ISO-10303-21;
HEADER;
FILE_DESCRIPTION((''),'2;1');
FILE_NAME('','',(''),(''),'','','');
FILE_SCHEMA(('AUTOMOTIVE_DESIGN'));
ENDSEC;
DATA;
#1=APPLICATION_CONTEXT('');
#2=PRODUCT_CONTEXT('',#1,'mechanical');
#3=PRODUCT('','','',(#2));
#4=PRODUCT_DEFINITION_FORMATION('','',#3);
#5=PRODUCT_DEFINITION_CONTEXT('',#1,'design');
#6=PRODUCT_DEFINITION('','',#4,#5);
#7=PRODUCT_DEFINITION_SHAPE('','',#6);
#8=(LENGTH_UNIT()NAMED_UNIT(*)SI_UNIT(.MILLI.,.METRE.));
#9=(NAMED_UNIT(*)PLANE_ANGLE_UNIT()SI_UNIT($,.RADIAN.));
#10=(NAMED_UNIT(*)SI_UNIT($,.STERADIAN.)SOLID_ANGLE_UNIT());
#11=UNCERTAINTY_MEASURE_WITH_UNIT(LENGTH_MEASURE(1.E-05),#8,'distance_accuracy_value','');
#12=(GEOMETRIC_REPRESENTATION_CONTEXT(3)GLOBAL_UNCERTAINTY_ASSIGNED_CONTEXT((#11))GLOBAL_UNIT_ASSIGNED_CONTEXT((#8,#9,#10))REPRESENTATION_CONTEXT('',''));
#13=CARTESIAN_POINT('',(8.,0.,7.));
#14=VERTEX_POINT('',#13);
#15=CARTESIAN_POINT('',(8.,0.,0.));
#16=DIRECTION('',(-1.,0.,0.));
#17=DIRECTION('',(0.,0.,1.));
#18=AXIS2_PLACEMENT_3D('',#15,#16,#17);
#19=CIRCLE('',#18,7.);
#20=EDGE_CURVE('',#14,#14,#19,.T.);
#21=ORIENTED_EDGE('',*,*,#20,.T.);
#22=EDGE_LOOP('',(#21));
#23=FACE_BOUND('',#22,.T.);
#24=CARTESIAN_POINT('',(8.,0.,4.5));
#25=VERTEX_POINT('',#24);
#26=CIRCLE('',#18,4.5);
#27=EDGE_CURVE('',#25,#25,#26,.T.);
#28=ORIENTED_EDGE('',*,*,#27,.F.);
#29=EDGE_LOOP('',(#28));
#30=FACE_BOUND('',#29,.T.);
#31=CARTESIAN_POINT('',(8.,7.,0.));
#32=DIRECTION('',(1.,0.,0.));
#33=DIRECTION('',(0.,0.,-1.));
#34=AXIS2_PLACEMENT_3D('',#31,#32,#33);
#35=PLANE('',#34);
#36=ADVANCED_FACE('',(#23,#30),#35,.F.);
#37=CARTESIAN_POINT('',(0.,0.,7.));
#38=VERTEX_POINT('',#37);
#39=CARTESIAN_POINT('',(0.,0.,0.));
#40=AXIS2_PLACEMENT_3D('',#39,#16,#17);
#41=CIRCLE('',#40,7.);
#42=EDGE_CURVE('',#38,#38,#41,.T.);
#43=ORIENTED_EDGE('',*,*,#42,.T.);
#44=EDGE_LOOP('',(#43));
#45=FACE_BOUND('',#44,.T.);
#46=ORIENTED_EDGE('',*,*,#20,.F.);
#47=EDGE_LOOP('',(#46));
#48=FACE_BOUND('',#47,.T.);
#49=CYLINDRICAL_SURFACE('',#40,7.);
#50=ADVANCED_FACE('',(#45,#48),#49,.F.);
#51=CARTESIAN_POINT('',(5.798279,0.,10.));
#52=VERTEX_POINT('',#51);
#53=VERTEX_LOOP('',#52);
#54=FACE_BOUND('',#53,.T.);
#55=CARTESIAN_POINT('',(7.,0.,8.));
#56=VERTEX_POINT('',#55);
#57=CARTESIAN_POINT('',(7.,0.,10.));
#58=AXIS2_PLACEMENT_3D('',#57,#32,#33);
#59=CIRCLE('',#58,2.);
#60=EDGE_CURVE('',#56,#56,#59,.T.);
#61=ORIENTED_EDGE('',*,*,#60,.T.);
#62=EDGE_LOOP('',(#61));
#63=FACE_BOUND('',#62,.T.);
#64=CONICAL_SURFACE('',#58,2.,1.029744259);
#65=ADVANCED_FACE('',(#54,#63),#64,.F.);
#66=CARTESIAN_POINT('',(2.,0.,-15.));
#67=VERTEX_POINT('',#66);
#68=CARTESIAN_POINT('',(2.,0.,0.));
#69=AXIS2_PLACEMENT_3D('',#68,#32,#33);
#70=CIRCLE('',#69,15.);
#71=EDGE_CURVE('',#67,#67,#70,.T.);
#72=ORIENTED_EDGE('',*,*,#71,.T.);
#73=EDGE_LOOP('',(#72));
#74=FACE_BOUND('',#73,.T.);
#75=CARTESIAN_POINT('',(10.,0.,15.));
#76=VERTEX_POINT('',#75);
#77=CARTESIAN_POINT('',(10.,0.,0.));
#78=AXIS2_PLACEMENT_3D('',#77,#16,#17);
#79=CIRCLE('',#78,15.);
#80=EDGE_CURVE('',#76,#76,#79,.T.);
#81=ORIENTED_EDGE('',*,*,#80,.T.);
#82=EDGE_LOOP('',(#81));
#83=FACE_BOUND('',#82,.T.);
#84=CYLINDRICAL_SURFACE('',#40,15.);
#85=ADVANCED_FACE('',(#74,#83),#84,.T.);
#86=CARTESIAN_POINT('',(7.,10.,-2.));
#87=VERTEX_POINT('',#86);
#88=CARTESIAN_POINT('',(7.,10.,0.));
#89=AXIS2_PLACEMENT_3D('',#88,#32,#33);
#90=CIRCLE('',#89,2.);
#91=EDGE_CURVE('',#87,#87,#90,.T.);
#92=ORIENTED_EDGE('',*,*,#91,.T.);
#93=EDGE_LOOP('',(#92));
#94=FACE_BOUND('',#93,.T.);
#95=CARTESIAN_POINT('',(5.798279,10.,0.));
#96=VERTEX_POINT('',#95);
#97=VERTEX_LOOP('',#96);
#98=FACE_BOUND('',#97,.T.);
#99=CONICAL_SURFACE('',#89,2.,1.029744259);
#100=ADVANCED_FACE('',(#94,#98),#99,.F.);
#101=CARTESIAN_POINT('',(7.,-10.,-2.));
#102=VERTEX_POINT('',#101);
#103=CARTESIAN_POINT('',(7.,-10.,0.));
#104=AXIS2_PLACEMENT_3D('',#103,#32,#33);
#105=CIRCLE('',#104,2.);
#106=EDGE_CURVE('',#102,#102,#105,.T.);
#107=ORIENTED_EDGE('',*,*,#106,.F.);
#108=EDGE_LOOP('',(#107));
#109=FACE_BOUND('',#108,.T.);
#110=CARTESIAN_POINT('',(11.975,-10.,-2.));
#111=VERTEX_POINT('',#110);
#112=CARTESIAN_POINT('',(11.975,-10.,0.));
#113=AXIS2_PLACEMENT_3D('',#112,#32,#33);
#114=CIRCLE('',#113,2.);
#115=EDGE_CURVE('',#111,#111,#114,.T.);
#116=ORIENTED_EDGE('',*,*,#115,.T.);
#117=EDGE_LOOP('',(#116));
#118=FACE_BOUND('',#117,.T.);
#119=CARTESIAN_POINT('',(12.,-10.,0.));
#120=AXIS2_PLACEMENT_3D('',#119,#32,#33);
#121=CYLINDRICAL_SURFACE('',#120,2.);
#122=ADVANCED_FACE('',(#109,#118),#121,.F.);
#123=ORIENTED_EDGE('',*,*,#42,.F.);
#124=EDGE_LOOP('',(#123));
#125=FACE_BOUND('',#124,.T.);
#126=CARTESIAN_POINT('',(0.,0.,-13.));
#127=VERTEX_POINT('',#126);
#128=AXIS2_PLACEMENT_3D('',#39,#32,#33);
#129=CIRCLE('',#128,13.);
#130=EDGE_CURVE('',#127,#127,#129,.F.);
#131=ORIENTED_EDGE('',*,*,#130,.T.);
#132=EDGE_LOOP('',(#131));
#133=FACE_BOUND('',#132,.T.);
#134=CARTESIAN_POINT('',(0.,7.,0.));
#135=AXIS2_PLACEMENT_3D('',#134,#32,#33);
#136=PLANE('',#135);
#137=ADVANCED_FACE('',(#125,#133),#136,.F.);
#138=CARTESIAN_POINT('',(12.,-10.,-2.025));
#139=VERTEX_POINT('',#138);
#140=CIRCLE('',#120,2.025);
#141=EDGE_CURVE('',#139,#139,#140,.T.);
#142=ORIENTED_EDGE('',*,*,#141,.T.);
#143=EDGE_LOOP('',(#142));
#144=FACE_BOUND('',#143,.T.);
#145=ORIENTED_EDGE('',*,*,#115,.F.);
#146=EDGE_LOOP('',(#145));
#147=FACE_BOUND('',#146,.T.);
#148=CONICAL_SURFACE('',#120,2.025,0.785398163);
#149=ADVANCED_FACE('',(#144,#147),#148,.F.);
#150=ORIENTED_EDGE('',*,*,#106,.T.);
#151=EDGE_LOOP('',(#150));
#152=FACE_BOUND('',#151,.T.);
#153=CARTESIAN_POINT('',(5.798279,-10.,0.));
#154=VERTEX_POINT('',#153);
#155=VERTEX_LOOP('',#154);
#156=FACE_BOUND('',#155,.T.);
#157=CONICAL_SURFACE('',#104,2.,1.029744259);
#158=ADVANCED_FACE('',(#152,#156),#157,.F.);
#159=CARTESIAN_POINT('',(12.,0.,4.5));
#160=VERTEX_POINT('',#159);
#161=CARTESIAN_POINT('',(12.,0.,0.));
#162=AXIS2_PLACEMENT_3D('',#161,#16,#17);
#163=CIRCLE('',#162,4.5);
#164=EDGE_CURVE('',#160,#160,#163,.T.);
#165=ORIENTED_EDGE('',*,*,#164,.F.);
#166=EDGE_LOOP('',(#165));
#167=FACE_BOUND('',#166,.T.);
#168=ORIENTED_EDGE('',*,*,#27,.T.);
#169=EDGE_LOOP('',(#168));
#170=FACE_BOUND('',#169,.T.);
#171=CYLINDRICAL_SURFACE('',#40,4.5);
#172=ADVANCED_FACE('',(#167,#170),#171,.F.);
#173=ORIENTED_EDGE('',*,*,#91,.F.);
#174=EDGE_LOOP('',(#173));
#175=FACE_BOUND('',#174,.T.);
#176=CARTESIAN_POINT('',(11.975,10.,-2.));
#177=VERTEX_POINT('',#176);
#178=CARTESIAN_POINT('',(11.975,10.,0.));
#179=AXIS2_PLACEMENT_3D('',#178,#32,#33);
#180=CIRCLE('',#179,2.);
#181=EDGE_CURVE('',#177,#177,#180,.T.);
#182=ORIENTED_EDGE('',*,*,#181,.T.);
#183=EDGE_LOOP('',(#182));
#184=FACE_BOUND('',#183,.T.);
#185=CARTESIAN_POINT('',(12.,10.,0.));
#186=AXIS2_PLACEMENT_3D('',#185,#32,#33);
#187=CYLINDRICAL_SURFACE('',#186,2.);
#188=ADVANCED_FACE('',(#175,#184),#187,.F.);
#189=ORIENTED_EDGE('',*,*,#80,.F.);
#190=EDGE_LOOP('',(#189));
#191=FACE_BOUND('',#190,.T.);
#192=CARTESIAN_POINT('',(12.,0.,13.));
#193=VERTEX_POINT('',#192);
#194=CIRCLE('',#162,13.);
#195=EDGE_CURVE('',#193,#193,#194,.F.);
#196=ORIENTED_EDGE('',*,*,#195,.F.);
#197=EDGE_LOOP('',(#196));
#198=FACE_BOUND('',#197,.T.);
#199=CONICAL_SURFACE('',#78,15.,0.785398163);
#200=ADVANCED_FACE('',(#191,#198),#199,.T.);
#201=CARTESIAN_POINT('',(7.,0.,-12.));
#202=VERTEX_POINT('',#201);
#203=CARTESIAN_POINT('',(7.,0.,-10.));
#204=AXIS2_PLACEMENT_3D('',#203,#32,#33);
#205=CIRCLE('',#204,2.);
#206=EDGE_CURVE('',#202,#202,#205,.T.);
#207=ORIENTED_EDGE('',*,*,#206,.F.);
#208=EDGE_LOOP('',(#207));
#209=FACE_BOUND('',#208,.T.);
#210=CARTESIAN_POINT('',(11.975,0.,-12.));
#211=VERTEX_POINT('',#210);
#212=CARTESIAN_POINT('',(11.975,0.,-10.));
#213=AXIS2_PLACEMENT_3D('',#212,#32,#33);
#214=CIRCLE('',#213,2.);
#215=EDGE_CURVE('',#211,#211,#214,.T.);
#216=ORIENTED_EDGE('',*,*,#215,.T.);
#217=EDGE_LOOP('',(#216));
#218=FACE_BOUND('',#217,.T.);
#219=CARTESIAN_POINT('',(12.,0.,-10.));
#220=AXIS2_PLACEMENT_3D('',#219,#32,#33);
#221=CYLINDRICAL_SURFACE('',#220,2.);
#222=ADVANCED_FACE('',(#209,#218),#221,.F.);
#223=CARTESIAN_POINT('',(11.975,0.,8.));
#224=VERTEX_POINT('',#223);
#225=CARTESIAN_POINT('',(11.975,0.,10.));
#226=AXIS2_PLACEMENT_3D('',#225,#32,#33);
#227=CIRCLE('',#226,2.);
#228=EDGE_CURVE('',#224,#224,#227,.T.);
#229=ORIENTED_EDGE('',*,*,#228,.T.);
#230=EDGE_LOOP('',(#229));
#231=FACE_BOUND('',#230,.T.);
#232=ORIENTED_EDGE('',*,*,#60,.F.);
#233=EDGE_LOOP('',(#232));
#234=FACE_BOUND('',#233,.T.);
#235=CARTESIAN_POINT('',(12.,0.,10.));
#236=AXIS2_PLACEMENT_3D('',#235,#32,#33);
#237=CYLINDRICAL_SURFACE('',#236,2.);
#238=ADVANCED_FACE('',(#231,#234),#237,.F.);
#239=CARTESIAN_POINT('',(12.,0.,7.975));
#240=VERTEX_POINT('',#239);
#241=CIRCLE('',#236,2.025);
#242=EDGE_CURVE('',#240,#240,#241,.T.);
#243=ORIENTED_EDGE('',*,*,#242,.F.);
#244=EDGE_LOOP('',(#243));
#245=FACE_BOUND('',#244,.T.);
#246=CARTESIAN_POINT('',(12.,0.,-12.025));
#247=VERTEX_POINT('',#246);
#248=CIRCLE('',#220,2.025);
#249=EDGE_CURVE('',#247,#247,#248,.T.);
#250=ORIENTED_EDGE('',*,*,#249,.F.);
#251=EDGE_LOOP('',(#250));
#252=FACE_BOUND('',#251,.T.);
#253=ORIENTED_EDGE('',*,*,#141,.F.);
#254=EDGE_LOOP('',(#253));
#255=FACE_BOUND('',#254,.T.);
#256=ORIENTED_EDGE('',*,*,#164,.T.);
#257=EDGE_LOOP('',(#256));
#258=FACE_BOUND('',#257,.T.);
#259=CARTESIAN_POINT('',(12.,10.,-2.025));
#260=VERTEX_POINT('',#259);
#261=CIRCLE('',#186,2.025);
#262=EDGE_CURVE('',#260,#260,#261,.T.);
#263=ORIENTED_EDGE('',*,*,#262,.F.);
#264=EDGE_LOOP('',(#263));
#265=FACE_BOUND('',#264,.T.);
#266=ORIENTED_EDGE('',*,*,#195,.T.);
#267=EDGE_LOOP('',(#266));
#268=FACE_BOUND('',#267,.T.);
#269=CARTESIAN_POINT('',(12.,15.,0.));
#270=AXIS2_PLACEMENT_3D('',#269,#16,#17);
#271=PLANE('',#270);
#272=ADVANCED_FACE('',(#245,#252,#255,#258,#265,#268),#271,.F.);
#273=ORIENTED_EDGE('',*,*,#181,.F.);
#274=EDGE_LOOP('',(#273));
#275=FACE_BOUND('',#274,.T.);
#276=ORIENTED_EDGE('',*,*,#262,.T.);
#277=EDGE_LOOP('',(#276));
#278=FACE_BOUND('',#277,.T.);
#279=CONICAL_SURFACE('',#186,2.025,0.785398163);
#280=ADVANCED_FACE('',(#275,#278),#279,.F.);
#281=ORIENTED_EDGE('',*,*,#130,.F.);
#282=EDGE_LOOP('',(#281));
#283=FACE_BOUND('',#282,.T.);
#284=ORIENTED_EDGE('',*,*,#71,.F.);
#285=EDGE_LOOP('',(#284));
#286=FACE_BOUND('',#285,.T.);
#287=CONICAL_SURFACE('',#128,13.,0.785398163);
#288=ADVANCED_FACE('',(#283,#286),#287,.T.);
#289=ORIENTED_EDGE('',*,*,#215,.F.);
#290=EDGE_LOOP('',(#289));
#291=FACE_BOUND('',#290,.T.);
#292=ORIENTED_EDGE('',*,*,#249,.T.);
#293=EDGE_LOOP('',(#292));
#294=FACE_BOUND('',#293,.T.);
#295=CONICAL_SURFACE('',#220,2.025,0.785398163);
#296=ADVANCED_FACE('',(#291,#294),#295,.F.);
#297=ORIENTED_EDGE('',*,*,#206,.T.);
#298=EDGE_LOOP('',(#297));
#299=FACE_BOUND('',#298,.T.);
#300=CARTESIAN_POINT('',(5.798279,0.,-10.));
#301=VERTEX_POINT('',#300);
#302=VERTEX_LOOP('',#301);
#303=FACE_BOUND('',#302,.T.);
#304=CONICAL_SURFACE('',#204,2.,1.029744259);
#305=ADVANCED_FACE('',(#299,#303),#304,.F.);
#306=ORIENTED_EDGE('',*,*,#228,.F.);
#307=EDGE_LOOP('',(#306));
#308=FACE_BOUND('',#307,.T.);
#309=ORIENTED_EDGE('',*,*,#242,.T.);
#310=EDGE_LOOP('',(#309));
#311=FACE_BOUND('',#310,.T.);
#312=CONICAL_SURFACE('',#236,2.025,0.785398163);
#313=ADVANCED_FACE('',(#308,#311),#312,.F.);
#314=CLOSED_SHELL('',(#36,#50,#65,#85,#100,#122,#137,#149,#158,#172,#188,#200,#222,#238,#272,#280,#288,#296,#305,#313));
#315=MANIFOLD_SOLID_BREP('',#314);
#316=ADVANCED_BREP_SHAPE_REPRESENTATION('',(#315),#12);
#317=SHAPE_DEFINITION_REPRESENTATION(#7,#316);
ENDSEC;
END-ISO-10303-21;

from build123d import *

# Parameters (mm, degrees)
PATTERN_CIRCULAR_2_COUNT = 4
CHAMFER_1_SIZE           = 2


with BuildPart() as part:
    # Эскиз1 → Повернуть1 (revolve)
    with BuildSketch(Plane.XY, mode=Mode.PRIVATE) as revolve_1_sk:
        Polygon((0, 7), (0, 15), (12, 15), (12, 4.5), (8, 4.5), (8, 7), align=None)
    revolve(revolve_1_sk.sketch.rotate(Axis((0, 0, 0), (1, 0, 0)), 90), axis=Axis((0, 0, 0), (1, 0, 0)))

    # Эскиз3 → Отверстия под штифты Ø4.0 мм1 (revolve, cut)
    with BuildSketch(Plane(origin=(12, 10, 0), x_dir=(0, 0, -1), z_dir=(0, 1, 0))):
        Polygon((0, 0), (0, 6.201721238), (2, 5), (2, 0.025), (2.025, 0), align=None)
    hole_wizard_4_0_1 = revolve(axis=Axis((18.35, 10, 0), (-1, 0, 0)), mode=Mode.SUBTRACT)

    # Круговой массив2: Отверстия под штифты Ø4.0 мм1 ×4 about axis
    pattern_circular_2_axis = Axis((0, 0, 0), (1, 0, 0))
    for i in range(1, PATTERN_CIRCULAR_2_COUNT):
        add(hole_wizard_4_0_1.rotate(pattern_circular_2_axis, i * 360 / PATTERN_CIRCULAR_2_COUNT), mode=Mode.SUBTRACT)

    # Фаска1
    chamfer_1_edges = [part.edges().sort_by_distance(p)[0] for p in [
        (12, 0, -15),
        (0, 0, -15),
    ]]
    chamfer(chamfer_1_edges, length=CHAMFER_1_SIZE)


solid = part.part
